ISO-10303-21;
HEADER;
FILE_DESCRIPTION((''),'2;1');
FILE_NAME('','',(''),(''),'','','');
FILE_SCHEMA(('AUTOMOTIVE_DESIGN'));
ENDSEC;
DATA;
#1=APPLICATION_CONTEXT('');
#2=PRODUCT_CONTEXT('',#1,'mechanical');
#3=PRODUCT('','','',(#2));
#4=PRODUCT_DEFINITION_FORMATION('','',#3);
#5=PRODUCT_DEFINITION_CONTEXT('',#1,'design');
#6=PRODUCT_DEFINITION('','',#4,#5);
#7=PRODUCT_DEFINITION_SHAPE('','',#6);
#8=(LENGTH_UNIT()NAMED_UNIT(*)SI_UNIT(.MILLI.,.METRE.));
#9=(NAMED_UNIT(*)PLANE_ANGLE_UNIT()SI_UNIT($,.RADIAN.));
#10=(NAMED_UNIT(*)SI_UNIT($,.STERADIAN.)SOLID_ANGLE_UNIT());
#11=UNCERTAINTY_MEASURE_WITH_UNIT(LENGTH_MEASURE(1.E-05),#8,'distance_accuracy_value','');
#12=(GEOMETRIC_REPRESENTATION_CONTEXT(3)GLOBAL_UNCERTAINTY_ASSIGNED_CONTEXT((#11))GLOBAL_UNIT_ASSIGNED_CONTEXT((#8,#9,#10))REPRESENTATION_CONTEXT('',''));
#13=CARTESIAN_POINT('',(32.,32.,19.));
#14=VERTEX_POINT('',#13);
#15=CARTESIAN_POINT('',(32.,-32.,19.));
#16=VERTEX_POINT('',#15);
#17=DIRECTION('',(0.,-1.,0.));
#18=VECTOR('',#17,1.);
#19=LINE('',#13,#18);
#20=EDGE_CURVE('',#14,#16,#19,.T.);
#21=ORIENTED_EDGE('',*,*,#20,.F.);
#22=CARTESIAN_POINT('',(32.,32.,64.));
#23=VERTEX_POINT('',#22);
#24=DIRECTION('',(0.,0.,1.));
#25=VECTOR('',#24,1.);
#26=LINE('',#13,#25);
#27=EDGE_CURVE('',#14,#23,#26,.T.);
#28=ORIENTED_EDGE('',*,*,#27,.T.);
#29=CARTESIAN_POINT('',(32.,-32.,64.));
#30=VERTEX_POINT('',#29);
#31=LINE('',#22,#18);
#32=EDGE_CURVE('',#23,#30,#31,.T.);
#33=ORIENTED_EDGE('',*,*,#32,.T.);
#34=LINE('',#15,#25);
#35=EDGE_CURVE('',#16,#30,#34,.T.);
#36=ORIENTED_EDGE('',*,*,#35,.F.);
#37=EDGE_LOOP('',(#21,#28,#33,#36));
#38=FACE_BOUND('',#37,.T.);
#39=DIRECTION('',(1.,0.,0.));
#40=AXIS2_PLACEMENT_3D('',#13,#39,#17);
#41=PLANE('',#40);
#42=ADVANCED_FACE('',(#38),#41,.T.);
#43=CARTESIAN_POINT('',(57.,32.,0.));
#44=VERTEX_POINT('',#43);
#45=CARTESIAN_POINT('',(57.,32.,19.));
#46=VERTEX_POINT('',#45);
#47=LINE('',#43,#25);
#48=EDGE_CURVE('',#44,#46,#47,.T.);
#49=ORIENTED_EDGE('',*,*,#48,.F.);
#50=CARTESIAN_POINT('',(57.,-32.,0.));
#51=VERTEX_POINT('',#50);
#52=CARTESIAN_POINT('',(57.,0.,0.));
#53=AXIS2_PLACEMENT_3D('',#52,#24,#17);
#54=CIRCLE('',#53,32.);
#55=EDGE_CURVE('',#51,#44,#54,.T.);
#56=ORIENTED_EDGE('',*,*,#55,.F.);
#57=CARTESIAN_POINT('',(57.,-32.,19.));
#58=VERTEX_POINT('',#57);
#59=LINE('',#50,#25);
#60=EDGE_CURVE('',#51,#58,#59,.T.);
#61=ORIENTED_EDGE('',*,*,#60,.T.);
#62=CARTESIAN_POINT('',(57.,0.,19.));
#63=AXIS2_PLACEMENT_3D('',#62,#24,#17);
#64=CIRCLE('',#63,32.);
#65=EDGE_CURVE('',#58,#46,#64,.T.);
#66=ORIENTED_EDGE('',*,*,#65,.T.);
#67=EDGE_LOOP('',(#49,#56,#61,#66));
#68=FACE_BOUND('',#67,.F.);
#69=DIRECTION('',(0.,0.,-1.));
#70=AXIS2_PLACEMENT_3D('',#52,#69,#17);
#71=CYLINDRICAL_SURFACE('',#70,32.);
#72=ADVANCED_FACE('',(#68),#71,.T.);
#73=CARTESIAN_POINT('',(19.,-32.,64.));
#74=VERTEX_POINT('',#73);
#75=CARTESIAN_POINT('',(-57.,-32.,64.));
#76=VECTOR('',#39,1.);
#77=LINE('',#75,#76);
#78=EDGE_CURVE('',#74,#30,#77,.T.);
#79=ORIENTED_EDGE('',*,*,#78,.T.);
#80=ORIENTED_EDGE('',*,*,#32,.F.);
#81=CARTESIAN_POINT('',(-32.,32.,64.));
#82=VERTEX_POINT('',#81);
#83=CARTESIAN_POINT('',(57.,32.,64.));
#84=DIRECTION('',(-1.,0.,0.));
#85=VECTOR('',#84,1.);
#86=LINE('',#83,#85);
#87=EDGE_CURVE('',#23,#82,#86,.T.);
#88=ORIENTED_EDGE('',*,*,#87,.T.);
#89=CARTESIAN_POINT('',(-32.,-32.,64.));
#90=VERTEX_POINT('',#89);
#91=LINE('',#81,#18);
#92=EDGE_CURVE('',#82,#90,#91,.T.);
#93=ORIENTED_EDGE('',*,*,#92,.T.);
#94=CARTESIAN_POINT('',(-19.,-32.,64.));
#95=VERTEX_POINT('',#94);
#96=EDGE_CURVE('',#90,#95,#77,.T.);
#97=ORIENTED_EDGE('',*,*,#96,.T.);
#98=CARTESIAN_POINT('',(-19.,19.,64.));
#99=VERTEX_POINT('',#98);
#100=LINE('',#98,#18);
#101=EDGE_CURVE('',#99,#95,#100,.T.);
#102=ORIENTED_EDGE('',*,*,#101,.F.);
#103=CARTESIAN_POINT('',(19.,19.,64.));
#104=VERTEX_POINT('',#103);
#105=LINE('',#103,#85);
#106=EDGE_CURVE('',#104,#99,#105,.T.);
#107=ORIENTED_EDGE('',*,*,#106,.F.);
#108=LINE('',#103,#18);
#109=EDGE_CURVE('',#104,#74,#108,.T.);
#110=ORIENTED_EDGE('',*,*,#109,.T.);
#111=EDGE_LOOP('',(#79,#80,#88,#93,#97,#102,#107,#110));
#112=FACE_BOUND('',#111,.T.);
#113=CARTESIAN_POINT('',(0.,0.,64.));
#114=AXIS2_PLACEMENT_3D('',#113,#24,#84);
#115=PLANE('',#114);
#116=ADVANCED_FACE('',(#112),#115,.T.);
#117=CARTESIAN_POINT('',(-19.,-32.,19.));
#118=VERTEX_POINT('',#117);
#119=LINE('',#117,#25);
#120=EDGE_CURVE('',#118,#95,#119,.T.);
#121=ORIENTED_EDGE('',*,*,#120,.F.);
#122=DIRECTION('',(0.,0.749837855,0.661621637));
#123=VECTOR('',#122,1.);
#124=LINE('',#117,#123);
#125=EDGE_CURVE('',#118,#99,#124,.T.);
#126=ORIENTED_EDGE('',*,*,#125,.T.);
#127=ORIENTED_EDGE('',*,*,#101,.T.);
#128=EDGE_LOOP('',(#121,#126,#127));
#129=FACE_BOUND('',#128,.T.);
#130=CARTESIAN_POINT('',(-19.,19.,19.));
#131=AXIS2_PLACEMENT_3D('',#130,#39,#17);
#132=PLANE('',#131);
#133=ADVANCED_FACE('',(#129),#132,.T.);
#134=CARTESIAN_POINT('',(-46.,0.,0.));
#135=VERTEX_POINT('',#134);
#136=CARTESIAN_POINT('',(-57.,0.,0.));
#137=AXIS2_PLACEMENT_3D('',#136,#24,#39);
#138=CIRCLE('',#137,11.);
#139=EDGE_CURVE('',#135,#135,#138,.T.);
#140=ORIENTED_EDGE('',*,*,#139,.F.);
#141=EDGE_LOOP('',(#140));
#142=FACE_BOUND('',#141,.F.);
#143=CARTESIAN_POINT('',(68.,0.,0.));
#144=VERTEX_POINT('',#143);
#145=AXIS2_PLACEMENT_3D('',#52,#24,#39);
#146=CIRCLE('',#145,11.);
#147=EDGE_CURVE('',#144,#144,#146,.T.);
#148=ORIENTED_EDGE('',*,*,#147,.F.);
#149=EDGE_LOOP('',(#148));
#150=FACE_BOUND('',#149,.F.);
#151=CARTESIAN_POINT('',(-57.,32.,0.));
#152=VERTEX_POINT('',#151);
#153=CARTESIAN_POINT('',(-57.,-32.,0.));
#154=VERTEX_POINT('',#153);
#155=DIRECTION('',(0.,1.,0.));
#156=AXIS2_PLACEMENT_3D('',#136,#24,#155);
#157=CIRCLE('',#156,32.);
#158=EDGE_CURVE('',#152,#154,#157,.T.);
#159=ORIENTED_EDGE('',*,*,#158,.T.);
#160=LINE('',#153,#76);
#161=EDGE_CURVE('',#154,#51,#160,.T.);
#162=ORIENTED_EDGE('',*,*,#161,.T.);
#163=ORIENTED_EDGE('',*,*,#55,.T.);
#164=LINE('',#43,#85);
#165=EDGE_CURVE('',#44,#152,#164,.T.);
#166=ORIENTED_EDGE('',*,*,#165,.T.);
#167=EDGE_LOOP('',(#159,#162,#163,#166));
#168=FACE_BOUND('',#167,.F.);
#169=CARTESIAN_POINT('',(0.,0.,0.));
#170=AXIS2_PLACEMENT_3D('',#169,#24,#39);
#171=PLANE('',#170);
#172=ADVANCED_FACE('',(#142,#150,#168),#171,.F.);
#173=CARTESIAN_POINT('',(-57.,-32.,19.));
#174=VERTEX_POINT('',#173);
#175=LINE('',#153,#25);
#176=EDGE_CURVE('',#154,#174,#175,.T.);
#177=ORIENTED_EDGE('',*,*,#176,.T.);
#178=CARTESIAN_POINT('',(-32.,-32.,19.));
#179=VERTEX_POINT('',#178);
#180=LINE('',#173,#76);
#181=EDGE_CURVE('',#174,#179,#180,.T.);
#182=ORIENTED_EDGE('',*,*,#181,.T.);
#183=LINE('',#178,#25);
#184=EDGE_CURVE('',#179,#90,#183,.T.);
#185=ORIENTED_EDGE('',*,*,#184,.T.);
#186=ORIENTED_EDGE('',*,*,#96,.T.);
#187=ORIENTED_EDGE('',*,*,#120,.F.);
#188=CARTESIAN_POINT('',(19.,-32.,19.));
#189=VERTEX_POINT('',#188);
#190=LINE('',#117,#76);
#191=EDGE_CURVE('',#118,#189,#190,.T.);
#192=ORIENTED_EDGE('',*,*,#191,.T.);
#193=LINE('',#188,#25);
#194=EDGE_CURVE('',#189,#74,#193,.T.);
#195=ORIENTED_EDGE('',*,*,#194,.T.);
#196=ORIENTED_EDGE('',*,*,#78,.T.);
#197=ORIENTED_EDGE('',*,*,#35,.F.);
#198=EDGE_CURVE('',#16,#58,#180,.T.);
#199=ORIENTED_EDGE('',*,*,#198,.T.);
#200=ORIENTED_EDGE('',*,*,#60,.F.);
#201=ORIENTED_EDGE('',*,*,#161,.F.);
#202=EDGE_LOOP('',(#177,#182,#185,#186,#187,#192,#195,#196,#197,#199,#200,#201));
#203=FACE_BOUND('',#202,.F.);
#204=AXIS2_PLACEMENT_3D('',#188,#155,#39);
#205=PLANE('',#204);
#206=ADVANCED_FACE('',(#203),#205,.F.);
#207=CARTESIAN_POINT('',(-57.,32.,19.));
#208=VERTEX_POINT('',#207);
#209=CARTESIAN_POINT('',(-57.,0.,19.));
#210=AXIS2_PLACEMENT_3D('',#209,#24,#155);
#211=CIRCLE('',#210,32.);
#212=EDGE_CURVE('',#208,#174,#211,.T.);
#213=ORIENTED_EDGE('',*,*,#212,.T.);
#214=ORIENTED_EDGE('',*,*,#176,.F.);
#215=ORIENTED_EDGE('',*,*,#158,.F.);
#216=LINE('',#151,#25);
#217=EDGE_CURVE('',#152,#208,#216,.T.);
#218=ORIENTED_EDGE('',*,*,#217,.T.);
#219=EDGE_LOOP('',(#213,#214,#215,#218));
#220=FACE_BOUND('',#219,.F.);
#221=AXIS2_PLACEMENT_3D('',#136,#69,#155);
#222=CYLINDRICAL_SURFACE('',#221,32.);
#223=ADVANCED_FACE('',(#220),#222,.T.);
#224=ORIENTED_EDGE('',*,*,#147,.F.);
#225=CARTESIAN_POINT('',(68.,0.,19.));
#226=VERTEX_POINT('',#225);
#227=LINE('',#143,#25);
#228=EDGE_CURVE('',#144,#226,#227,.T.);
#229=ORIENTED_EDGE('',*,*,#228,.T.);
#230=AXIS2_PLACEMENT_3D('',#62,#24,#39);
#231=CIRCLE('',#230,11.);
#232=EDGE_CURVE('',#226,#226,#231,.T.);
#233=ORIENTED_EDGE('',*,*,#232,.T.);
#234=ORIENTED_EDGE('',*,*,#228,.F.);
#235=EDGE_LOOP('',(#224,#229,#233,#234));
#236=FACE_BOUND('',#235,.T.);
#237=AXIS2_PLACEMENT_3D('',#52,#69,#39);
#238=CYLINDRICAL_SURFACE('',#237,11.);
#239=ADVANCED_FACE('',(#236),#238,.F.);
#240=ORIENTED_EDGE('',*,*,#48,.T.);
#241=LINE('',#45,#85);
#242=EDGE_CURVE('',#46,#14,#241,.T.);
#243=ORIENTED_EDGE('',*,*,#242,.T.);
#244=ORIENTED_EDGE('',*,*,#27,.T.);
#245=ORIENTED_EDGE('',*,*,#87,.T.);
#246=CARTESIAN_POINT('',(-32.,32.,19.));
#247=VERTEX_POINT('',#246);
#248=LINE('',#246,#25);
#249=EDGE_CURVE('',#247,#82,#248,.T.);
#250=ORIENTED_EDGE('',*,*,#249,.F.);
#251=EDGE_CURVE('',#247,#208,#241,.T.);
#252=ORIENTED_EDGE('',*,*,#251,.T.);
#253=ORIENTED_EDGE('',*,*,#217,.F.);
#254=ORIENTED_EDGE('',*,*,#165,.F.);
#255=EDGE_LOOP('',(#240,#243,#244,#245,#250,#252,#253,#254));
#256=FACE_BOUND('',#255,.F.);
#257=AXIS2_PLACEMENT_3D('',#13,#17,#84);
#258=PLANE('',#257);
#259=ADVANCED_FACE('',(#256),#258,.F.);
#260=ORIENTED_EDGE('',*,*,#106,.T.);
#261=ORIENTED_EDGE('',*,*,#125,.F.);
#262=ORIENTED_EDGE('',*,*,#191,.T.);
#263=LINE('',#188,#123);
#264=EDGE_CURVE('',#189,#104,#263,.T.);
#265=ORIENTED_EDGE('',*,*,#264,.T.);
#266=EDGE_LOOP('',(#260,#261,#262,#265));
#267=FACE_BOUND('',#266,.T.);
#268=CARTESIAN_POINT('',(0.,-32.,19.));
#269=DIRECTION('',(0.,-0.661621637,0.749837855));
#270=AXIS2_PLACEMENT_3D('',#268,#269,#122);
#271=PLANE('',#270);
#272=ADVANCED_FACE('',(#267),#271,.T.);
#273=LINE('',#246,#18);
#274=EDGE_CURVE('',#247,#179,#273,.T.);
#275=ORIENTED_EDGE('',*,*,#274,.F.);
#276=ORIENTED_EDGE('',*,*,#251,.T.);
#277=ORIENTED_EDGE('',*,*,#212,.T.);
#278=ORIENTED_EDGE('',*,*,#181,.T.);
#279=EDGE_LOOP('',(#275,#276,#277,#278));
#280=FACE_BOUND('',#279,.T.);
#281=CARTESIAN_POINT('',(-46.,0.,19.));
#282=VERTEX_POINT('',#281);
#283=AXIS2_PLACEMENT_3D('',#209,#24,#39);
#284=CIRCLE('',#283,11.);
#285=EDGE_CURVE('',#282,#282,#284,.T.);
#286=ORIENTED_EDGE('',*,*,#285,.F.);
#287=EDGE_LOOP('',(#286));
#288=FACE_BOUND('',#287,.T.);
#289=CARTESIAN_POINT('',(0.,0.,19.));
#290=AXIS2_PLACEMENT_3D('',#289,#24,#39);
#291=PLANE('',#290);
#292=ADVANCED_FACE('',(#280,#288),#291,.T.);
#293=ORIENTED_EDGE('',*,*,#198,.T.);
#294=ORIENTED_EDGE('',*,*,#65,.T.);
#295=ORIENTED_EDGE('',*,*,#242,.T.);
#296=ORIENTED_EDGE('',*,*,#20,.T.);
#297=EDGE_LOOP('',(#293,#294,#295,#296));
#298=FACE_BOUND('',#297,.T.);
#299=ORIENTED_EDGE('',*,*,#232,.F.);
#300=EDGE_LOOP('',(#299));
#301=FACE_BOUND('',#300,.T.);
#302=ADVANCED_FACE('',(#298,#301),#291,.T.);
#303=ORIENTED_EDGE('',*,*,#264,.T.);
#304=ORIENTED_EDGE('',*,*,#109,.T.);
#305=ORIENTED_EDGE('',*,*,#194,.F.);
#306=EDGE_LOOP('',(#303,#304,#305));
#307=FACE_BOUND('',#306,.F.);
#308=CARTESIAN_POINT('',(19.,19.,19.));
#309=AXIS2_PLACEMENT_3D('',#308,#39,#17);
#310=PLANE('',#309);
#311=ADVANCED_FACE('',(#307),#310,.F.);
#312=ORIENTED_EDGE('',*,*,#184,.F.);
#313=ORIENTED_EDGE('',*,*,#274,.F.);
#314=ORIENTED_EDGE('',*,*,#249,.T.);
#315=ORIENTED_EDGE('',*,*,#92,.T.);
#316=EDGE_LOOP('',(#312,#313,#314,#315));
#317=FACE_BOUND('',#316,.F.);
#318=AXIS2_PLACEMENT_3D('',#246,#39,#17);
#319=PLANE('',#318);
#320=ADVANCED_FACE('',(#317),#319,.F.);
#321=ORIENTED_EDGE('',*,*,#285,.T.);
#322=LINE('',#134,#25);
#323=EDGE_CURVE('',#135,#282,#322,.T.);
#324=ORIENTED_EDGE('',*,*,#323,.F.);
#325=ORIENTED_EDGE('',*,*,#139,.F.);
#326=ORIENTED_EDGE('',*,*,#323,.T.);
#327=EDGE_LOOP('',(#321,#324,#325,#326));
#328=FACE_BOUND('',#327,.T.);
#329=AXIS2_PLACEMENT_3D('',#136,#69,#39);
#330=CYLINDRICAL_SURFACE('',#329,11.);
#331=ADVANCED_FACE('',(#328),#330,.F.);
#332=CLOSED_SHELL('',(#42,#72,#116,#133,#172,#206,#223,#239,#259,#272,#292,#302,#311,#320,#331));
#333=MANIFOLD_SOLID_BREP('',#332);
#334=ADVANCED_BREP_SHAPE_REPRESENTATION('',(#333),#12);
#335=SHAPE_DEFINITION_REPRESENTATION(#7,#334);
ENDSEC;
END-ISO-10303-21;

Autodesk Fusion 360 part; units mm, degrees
sketch "Baza" plane through (0, 0, 0) normal (0, 0, 1) x (1, 0, 0)
  line L0 (57, 32) -> (-57, 32)
  line L1 (-57, -32) -> (57, -32)
  circle A0 centre (57, 0) radius 11
  circle A1 centre (-57, 0) radius 11
  arc A2 (57, -32) -> (57, 32) centre (57, 0) ccw
  arc A3 (-57, 32) -> (-57, -32) centre (-57, 0) ccw
  dimension "d1" = 114
  dimension "d2" = 64
  dimension "d3" = 22
  dimension "d4" = 22
extrude "Extrude1" add sketch "Baza" along normal blind 19
sketch "Pereti triunghi" plane through (0, 0, 19) normal (0, 0, 1) x (-1, 0, 0)
  circle A0 centre (57, 0) radius 11
  circle A1 centre (-57, 0) radius 11
  arc A2 (57, -32) -> (57, 32) centre (57, 0) ccw
  line L0 (57, 32) -> (-57, 32)
  arc A3 (-57, 32) -> (-57, -32) centre (-57, 0) ccw
  line L1 (-57, -32) -> (57, -32)
  line L2 (32, -32) -> (-32, -32)
  line L3 (32, -32) -> (32, 32)
  line L4 (-32, -32) -> (-32, 32)
  line L5 (19, -19) -> (-19, -19)
  line L6 (19, -19) -> (19, 32)
  line L7 (-19, -19) -> (-19, 32)
  dimension "d17" = 64
  dimension "d18" = 25
  dimension "d19" = 38
  dimension "d20" = 51
  dimension "d21" = 13
sketch "Triunghi" plane through (0, 0, 0) normal (1, 0, 0) x (0, 1, 0)
  line L0 (-32, 19) -> (19, 19)
  line L1 (19, 19) -> (19, 64)
  line L2 (-32, 19) -> (19, 64)
  dimension "d24" = 51
  dimension "d25" = 45
extrude "Extrude4" add sketch "Triunghi" along normal mid plane 38
extrude "Extrude5" add sketch "Pereti triunghi" along normal blind 45 contours L0 L1 L2 L3 L4 L5 L6 L7
equation "d18 = ( ( 114 - 64 ) / 2 ) * 1 mm"
equation "d21 = ( ( 64 - 38 ) / 2 ) * 1 mm"
equation "d25 = 64 mm - 19 mm"
equation "d28 = 64 mm - 19 mm"
